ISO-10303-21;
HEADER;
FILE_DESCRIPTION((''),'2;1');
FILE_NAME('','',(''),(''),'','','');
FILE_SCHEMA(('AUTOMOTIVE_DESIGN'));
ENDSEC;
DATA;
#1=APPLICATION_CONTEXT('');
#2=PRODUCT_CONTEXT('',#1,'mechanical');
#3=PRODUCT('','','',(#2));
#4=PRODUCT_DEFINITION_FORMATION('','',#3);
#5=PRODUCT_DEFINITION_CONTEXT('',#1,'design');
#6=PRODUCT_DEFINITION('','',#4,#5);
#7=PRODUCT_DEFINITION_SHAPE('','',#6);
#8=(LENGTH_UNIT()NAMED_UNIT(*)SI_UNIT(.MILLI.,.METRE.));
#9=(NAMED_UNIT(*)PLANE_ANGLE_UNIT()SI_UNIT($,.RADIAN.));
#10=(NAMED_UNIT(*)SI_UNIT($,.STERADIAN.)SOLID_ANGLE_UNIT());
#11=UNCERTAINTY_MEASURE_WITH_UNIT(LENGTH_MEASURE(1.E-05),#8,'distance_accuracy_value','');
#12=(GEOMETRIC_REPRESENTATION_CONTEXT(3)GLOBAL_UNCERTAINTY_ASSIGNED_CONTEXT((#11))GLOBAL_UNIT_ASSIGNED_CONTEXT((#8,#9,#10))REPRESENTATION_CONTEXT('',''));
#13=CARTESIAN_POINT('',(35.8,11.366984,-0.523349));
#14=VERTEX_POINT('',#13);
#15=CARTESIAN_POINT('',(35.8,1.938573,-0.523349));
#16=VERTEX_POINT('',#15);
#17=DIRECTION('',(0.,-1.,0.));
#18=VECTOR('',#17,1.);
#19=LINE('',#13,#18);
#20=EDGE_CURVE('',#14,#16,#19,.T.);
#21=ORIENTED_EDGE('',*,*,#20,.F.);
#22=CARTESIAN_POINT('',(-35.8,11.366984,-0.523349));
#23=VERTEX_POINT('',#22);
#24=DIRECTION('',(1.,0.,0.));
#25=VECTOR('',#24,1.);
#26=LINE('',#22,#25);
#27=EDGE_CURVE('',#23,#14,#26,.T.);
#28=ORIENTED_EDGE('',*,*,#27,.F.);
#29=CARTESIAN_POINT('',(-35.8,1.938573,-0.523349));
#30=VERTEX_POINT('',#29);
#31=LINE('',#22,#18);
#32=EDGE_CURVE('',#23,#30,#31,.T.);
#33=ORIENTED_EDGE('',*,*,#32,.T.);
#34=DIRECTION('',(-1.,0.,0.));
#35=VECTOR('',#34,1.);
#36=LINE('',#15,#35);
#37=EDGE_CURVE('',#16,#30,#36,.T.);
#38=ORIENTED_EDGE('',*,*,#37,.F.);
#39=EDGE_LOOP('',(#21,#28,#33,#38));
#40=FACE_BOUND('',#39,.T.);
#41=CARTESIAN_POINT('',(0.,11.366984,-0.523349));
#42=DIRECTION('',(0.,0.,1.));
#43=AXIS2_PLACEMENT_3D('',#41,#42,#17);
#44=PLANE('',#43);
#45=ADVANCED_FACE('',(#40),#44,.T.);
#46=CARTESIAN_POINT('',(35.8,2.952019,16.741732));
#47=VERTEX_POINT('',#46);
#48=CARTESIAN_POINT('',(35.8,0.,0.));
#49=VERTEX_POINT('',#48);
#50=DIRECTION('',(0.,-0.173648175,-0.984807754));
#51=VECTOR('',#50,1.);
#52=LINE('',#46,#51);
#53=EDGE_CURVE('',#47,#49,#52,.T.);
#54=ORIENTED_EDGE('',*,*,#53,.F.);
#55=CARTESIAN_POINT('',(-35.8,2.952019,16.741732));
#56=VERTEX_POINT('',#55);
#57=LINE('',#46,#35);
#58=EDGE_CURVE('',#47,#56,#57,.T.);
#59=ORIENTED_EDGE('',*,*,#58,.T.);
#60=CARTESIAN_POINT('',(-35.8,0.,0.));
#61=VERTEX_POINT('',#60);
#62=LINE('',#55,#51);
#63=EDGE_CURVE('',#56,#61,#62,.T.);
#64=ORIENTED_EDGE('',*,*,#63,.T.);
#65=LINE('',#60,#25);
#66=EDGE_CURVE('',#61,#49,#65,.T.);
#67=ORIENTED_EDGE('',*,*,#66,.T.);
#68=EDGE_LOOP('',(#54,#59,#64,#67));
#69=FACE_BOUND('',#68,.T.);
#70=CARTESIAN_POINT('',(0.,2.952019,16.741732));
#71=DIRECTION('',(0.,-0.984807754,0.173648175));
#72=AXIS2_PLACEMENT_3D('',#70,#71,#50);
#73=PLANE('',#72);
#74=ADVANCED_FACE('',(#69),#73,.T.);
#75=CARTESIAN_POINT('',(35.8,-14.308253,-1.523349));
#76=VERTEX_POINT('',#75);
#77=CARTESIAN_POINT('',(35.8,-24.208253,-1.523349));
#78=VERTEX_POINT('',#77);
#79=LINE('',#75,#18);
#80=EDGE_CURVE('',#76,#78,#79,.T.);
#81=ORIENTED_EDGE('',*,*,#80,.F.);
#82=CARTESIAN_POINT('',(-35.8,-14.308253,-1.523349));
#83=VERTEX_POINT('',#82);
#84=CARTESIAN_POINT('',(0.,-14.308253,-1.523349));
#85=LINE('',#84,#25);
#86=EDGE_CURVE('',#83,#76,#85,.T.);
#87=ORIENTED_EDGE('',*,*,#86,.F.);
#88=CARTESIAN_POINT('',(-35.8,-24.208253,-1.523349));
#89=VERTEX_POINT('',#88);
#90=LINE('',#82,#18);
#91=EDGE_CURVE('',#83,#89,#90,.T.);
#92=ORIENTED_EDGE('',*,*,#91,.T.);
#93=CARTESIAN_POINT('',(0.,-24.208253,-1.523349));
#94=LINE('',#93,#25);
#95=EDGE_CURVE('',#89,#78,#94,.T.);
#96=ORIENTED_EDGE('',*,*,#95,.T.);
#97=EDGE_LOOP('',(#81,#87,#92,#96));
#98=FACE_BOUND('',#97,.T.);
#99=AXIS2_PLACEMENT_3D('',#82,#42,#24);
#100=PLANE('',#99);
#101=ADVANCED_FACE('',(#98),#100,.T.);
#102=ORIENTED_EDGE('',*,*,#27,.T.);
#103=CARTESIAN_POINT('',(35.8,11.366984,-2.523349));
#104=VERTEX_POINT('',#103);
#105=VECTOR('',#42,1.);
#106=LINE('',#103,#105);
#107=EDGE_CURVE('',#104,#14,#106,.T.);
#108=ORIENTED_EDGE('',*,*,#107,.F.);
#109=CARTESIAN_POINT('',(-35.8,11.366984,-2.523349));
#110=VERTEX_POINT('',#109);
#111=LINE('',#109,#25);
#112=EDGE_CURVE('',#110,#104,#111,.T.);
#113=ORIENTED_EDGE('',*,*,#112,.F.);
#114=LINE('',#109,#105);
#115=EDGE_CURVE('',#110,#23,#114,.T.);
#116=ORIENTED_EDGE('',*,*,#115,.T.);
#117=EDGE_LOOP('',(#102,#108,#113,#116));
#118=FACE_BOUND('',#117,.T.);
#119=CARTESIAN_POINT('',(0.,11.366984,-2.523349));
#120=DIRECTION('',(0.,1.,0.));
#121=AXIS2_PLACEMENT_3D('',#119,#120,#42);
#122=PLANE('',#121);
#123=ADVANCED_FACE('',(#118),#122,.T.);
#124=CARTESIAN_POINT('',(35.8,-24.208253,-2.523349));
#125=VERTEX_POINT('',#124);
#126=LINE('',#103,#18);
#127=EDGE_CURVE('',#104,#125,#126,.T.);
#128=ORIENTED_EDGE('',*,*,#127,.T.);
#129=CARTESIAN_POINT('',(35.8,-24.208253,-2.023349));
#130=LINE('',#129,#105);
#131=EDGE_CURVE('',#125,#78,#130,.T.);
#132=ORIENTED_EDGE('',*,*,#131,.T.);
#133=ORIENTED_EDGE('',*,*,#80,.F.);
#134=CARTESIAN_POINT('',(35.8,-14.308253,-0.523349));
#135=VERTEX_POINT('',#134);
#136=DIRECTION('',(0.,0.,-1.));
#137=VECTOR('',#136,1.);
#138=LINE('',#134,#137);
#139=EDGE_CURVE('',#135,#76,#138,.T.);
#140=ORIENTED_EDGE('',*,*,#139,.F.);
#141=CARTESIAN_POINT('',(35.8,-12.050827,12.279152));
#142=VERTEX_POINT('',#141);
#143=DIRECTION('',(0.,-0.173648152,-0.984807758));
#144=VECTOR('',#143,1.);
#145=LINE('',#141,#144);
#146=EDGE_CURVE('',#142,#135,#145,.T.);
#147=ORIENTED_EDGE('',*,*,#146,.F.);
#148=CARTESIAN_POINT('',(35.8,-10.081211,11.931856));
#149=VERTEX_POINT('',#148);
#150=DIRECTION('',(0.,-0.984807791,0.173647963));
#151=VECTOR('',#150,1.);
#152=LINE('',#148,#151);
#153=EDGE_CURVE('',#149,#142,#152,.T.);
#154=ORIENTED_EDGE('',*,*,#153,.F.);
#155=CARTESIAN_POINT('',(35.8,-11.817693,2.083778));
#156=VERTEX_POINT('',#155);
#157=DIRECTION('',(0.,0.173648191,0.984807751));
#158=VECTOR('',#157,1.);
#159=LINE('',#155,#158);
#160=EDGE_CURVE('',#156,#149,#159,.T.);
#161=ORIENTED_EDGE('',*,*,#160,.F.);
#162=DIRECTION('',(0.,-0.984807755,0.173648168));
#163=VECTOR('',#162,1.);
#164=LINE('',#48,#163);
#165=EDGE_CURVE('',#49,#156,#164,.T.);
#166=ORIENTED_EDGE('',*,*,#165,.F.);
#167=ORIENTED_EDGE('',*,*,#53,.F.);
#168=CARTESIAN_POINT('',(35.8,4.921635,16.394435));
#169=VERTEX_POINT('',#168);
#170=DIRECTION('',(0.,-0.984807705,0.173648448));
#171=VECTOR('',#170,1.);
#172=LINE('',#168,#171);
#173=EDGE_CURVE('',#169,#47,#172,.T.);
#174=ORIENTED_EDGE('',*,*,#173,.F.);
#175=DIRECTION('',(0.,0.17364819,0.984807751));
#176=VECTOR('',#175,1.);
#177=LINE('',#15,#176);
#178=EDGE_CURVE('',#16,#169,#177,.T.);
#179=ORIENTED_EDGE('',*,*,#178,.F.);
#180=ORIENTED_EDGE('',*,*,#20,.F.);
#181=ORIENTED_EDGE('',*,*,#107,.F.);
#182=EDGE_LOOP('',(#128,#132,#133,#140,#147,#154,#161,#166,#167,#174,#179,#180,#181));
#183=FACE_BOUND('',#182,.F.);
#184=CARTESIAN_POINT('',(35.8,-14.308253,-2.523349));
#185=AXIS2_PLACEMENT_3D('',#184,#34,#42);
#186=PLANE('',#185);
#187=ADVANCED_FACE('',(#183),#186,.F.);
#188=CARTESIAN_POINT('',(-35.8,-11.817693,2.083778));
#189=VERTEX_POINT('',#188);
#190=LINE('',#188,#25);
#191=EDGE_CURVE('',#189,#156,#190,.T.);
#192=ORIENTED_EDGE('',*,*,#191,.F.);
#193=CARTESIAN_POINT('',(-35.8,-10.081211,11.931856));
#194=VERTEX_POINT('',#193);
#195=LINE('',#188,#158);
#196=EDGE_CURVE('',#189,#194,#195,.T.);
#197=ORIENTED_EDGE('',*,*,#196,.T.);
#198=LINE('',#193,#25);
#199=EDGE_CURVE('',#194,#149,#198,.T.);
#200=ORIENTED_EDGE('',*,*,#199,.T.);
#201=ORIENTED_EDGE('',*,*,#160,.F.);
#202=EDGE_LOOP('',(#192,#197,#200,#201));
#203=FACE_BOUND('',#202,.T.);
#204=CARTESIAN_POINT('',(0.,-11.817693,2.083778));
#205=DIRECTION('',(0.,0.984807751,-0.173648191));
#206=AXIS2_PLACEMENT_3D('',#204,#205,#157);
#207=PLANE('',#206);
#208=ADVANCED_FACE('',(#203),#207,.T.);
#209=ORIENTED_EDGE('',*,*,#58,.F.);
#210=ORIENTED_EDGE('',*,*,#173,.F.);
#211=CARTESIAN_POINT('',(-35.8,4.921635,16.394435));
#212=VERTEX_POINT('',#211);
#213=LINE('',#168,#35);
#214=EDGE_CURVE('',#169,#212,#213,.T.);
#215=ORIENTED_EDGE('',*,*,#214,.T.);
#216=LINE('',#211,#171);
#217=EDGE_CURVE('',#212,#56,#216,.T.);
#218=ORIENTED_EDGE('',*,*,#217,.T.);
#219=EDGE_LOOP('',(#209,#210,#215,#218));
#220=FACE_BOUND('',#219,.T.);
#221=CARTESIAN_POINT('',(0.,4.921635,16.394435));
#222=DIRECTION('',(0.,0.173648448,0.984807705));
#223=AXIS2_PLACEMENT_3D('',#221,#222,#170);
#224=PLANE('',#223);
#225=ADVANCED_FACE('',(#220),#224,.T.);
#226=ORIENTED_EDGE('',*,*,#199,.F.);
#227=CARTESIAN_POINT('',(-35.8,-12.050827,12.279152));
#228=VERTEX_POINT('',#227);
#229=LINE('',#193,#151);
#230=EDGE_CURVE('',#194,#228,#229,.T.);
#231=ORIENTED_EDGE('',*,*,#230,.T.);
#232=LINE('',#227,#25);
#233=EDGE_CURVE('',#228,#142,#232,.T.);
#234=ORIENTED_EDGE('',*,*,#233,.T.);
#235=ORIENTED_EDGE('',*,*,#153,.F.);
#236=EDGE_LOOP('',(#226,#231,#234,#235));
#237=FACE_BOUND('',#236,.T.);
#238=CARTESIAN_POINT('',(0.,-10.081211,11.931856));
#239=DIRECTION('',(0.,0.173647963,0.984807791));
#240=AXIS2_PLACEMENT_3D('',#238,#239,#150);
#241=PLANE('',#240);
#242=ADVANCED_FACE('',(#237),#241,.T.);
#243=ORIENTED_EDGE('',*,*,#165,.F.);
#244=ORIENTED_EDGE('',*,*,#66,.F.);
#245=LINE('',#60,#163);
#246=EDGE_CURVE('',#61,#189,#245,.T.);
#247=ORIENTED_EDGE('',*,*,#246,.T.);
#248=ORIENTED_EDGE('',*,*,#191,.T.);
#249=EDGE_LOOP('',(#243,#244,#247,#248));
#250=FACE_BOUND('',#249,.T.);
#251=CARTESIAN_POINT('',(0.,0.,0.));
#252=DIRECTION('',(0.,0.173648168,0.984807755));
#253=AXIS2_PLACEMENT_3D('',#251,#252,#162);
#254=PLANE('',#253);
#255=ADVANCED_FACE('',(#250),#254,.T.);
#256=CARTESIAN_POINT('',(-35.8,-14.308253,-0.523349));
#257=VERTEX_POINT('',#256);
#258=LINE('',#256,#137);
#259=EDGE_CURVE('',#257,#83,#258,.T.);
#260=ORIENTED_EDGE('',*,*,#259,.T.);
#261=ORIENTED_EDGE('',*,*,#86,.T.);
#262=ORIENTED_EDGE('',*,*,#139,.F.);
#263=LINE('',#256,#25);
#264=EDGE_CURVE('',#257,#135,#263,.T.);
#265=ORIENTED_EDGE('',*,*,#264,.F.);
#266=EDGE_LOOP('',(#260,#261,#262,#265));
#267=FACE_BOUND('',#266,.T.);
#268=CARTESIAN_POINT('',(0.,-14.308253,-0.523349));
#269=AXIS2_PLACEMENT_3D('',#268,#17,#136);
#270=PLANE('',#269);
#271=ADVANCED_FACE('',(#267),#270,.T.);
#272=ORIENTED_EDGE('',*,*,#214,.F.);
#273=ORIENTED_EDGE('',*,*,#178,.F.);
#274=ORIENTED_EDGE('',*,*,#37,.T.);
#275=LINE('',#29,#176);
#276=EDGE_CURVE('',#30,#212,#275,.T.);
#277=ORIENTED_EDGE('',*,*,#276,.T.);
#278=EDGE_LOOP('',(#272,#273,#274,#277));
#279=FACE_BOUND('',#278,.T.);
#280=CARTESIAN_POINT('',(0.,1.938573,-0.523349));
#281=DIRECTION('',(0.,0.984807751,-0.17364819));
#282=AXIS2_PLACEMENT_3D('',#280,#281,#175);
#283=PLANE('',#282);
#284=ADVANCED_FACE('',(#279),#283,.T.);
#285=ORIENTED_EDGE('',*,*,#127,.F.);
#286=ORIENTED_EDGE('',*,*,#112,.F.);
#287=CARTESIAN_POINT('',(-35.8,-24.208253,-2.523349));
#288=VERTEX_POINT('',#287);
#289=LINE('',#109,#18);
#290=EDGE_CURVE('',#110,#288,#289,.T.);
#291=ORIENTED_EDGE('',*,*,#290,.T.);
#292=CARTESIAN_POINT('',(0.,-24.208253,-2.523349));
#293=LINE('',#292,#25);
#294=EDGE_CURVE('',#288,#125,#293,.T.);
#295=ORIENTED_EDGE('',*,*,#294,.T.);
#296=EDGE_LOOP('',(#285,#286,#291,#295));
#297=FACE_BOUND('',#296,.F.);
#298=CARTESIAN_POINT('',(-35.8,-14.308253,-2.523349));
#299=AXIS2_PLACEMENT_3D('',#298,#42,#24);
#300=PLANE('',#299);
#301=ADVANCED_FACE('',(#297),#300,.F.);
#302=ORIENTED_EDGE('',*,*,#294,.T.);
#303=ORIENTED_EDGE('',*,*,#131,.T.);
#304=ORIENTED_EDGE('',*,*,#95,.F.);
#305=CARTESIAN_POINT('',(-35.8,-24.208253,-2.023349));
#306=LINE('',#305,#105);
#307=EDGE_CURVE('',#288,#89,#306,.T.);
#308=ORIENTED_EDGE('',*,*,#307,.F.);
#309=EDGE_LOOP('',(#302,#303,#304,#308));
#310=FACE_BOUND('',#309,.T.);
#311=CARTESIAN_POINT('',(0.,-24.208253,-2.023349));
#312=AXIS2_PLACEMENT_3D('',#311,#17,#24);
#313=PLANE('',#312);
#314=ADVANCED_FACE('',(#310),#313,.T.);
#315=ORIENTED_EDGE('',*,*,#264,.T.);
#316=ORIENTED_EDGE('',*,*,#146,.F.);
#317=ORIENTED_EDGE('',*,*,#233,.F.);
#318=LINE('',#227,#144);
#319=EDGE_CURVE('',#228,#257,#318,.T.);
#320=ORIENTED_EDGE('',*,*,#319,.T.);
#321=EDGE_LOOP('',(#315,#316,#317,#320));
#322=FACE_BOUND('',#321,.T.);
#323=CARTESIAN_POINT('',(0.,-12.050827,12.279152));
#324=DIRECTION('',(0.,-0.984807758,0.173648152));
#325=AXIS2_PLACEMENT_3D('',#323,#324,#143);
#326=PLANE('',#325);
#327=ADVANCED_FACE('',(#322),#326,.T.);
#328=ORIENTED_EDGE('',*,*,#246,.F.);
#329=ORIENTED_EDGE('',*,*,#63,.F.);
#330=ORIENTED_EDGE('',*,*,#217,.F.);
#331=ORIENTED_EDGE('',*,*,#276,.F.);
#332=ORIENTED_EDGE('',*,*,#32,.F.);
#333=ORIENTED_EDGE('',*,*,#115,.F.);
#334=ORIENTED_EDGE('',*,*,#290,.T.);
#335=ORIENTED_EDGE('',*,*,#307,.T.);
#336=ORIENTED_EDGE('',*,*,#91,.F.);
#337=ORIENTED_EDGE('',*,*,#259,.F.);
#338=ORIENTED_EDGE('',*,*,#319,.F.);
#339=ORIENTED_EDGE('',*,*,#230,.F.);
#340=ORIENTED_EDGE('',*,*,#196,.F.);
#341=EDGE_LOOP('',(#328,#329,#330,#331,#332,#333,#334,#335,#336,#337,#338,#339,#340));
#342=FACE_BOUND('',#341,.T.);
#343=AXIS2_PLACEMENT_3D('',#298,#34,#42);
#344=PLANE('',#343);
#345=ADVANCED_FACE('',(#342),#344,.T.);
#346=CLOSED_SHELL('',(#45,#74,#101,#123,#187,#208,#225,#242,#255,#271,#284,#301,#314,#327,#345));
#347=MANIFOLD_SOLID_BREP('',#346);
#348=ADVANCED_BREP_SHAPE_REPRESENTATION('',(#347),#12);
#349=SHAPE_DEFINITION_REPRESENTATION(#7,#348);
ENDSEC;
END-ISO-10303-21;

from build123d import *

# Parameters (mm, degrees)
F1_DEPTH = 35.8
F2_W     = 71.6
F2_H     = 1
F3_DEPTH = 9.9


with BuildPart() as f1:
    # F0 (on Right) → F1 (new body, symmetric)
    with BuildSketch(Plane.YZ):
        Polygon((2.952019, 16.741732), (0, 0), (-11.817693, 2.083778), (-10.081211, 11.931856), (-12.050827, 12.279152), (-14.308253, -0.523349), (-14.308253, -2.523349), (11.366984, -2.523349), (11.366984, -0.523349), (1.938573, -0.523349), (4.921635, 16.394435), align=None)
    extrude(amount=F1_DEPTH, both=True)

    # F2 (on face) → F3 (join)
    with BuildSketch(Plane.XZ.offset(14.308253)):
        with Locations((0, -2.023349)):
            Rectangle(F2_W, F2_H)
    extrude(amount=F3_DEPTH)


solid = f1.part
